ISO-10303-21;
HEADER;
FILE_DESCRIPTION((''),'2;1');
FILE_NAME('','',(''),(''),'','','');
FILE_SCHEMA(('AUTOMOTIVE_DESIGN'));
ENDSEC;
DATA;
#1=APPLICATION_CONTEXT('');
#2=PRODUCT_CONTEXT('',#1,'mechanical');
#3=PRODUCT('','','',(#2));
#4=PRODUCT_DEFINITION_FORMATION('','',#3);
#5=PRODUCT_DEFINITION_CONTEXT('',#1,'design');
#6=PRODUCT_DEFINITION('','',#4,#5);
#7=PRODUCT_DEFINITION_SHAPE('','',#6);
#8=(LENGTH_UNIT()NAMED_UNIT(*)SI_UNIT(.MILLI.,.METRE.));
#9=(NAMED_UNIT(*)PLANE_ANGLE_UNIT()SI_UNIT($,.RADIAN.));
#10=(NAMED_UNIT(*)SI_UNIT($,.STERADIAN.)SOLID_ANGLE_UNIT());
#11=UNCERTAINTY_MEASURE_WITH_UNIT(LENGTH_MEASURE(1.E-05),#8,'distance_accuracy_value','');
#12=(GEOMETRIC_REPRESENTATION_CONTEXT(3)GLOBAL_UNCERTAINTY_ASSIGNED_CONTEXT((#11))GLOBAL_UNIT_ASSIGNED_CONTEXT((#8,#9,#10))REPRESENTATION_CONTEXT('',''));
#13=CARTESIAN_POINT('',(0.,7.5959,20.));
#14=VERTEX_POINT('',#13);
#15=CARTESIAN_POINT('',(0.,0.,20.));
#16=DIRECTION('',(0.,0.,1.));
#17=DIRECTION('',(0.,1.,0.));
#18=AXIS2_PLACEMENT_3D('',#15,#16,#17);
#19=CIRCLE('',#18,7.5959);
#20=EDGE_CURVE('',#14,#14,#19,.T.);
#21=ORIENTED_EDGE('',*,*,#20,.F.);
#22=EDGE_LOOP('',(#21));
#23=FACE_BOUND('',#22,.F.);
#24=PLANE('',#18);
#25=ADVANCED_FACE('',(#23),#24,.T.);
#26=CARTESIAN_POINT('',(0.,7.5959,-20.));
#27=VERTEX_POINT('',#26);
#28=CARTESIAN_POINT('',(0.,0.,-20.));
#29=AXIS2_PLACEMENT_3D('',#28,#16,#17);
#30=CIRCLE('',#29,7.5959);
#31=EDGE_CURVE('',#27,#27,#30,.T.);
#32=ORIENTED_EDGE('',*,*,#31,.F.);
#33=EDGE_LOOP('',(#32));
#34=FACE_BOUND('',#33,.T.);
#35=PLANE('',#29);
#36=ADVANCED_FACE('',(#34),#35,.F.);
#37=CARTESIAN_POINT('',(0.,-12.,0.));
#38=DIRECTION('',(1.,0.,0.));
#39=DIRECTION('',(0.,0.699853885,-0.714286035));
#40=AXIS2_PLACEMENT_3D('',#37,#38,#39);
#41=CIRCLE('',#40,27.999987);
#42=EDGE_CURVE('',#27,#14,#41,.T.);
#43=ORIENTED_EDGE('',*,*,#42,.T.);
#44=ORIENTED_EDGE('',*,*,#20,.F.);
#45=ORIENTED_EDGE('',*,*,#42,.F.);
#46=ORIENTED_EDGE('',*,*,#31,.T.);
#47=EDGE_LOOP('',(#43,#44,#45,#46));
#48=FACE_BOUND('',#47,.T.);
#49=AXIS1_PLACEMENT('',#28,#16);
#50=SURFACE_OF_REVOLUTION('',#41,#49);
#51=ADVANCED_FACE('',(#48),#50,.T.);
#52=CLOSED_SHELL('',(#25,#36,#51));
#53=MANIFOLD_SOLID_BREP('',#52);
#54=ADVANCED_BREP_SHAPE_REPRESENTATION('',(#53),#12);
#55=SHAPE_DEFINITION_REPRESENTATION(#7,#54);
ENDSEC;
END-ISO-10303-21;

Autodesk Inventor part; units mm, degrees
ref_plane "YZ Plane" through (0, 0, 0) normal (1, 0, 0) x (0, 1, 0)
ref_plane "XZ Plane" through (0, 0, 0) normal (0, 1, 0) x (-1, 0, 0)
ref_plane "XY Plane" through (0, 0, 0) normal (0, 0, 1) x (1, 0, 0)
sketch "Эскиз1" plane through (0, 0, 0) normal (1, 0, 0) x (0, 1, 0)
  line L0 (0, 0) -> (0, -20)
  line L1 (0, -20) -> (0, 20)
  arc A0 (7.5959, -20) -> (7.5959, 20) centre (-12, 0) ccw
  line L2 (0, 20) -> (7.5959, 20)
  line L3 (0, -20) -> (7.5959, -20)
revolve "Вращение1" add sketch "Эскиз1" angle 360 about axis through (0, 0, -20) along (0, 0, 1)
properties part number "task4"
